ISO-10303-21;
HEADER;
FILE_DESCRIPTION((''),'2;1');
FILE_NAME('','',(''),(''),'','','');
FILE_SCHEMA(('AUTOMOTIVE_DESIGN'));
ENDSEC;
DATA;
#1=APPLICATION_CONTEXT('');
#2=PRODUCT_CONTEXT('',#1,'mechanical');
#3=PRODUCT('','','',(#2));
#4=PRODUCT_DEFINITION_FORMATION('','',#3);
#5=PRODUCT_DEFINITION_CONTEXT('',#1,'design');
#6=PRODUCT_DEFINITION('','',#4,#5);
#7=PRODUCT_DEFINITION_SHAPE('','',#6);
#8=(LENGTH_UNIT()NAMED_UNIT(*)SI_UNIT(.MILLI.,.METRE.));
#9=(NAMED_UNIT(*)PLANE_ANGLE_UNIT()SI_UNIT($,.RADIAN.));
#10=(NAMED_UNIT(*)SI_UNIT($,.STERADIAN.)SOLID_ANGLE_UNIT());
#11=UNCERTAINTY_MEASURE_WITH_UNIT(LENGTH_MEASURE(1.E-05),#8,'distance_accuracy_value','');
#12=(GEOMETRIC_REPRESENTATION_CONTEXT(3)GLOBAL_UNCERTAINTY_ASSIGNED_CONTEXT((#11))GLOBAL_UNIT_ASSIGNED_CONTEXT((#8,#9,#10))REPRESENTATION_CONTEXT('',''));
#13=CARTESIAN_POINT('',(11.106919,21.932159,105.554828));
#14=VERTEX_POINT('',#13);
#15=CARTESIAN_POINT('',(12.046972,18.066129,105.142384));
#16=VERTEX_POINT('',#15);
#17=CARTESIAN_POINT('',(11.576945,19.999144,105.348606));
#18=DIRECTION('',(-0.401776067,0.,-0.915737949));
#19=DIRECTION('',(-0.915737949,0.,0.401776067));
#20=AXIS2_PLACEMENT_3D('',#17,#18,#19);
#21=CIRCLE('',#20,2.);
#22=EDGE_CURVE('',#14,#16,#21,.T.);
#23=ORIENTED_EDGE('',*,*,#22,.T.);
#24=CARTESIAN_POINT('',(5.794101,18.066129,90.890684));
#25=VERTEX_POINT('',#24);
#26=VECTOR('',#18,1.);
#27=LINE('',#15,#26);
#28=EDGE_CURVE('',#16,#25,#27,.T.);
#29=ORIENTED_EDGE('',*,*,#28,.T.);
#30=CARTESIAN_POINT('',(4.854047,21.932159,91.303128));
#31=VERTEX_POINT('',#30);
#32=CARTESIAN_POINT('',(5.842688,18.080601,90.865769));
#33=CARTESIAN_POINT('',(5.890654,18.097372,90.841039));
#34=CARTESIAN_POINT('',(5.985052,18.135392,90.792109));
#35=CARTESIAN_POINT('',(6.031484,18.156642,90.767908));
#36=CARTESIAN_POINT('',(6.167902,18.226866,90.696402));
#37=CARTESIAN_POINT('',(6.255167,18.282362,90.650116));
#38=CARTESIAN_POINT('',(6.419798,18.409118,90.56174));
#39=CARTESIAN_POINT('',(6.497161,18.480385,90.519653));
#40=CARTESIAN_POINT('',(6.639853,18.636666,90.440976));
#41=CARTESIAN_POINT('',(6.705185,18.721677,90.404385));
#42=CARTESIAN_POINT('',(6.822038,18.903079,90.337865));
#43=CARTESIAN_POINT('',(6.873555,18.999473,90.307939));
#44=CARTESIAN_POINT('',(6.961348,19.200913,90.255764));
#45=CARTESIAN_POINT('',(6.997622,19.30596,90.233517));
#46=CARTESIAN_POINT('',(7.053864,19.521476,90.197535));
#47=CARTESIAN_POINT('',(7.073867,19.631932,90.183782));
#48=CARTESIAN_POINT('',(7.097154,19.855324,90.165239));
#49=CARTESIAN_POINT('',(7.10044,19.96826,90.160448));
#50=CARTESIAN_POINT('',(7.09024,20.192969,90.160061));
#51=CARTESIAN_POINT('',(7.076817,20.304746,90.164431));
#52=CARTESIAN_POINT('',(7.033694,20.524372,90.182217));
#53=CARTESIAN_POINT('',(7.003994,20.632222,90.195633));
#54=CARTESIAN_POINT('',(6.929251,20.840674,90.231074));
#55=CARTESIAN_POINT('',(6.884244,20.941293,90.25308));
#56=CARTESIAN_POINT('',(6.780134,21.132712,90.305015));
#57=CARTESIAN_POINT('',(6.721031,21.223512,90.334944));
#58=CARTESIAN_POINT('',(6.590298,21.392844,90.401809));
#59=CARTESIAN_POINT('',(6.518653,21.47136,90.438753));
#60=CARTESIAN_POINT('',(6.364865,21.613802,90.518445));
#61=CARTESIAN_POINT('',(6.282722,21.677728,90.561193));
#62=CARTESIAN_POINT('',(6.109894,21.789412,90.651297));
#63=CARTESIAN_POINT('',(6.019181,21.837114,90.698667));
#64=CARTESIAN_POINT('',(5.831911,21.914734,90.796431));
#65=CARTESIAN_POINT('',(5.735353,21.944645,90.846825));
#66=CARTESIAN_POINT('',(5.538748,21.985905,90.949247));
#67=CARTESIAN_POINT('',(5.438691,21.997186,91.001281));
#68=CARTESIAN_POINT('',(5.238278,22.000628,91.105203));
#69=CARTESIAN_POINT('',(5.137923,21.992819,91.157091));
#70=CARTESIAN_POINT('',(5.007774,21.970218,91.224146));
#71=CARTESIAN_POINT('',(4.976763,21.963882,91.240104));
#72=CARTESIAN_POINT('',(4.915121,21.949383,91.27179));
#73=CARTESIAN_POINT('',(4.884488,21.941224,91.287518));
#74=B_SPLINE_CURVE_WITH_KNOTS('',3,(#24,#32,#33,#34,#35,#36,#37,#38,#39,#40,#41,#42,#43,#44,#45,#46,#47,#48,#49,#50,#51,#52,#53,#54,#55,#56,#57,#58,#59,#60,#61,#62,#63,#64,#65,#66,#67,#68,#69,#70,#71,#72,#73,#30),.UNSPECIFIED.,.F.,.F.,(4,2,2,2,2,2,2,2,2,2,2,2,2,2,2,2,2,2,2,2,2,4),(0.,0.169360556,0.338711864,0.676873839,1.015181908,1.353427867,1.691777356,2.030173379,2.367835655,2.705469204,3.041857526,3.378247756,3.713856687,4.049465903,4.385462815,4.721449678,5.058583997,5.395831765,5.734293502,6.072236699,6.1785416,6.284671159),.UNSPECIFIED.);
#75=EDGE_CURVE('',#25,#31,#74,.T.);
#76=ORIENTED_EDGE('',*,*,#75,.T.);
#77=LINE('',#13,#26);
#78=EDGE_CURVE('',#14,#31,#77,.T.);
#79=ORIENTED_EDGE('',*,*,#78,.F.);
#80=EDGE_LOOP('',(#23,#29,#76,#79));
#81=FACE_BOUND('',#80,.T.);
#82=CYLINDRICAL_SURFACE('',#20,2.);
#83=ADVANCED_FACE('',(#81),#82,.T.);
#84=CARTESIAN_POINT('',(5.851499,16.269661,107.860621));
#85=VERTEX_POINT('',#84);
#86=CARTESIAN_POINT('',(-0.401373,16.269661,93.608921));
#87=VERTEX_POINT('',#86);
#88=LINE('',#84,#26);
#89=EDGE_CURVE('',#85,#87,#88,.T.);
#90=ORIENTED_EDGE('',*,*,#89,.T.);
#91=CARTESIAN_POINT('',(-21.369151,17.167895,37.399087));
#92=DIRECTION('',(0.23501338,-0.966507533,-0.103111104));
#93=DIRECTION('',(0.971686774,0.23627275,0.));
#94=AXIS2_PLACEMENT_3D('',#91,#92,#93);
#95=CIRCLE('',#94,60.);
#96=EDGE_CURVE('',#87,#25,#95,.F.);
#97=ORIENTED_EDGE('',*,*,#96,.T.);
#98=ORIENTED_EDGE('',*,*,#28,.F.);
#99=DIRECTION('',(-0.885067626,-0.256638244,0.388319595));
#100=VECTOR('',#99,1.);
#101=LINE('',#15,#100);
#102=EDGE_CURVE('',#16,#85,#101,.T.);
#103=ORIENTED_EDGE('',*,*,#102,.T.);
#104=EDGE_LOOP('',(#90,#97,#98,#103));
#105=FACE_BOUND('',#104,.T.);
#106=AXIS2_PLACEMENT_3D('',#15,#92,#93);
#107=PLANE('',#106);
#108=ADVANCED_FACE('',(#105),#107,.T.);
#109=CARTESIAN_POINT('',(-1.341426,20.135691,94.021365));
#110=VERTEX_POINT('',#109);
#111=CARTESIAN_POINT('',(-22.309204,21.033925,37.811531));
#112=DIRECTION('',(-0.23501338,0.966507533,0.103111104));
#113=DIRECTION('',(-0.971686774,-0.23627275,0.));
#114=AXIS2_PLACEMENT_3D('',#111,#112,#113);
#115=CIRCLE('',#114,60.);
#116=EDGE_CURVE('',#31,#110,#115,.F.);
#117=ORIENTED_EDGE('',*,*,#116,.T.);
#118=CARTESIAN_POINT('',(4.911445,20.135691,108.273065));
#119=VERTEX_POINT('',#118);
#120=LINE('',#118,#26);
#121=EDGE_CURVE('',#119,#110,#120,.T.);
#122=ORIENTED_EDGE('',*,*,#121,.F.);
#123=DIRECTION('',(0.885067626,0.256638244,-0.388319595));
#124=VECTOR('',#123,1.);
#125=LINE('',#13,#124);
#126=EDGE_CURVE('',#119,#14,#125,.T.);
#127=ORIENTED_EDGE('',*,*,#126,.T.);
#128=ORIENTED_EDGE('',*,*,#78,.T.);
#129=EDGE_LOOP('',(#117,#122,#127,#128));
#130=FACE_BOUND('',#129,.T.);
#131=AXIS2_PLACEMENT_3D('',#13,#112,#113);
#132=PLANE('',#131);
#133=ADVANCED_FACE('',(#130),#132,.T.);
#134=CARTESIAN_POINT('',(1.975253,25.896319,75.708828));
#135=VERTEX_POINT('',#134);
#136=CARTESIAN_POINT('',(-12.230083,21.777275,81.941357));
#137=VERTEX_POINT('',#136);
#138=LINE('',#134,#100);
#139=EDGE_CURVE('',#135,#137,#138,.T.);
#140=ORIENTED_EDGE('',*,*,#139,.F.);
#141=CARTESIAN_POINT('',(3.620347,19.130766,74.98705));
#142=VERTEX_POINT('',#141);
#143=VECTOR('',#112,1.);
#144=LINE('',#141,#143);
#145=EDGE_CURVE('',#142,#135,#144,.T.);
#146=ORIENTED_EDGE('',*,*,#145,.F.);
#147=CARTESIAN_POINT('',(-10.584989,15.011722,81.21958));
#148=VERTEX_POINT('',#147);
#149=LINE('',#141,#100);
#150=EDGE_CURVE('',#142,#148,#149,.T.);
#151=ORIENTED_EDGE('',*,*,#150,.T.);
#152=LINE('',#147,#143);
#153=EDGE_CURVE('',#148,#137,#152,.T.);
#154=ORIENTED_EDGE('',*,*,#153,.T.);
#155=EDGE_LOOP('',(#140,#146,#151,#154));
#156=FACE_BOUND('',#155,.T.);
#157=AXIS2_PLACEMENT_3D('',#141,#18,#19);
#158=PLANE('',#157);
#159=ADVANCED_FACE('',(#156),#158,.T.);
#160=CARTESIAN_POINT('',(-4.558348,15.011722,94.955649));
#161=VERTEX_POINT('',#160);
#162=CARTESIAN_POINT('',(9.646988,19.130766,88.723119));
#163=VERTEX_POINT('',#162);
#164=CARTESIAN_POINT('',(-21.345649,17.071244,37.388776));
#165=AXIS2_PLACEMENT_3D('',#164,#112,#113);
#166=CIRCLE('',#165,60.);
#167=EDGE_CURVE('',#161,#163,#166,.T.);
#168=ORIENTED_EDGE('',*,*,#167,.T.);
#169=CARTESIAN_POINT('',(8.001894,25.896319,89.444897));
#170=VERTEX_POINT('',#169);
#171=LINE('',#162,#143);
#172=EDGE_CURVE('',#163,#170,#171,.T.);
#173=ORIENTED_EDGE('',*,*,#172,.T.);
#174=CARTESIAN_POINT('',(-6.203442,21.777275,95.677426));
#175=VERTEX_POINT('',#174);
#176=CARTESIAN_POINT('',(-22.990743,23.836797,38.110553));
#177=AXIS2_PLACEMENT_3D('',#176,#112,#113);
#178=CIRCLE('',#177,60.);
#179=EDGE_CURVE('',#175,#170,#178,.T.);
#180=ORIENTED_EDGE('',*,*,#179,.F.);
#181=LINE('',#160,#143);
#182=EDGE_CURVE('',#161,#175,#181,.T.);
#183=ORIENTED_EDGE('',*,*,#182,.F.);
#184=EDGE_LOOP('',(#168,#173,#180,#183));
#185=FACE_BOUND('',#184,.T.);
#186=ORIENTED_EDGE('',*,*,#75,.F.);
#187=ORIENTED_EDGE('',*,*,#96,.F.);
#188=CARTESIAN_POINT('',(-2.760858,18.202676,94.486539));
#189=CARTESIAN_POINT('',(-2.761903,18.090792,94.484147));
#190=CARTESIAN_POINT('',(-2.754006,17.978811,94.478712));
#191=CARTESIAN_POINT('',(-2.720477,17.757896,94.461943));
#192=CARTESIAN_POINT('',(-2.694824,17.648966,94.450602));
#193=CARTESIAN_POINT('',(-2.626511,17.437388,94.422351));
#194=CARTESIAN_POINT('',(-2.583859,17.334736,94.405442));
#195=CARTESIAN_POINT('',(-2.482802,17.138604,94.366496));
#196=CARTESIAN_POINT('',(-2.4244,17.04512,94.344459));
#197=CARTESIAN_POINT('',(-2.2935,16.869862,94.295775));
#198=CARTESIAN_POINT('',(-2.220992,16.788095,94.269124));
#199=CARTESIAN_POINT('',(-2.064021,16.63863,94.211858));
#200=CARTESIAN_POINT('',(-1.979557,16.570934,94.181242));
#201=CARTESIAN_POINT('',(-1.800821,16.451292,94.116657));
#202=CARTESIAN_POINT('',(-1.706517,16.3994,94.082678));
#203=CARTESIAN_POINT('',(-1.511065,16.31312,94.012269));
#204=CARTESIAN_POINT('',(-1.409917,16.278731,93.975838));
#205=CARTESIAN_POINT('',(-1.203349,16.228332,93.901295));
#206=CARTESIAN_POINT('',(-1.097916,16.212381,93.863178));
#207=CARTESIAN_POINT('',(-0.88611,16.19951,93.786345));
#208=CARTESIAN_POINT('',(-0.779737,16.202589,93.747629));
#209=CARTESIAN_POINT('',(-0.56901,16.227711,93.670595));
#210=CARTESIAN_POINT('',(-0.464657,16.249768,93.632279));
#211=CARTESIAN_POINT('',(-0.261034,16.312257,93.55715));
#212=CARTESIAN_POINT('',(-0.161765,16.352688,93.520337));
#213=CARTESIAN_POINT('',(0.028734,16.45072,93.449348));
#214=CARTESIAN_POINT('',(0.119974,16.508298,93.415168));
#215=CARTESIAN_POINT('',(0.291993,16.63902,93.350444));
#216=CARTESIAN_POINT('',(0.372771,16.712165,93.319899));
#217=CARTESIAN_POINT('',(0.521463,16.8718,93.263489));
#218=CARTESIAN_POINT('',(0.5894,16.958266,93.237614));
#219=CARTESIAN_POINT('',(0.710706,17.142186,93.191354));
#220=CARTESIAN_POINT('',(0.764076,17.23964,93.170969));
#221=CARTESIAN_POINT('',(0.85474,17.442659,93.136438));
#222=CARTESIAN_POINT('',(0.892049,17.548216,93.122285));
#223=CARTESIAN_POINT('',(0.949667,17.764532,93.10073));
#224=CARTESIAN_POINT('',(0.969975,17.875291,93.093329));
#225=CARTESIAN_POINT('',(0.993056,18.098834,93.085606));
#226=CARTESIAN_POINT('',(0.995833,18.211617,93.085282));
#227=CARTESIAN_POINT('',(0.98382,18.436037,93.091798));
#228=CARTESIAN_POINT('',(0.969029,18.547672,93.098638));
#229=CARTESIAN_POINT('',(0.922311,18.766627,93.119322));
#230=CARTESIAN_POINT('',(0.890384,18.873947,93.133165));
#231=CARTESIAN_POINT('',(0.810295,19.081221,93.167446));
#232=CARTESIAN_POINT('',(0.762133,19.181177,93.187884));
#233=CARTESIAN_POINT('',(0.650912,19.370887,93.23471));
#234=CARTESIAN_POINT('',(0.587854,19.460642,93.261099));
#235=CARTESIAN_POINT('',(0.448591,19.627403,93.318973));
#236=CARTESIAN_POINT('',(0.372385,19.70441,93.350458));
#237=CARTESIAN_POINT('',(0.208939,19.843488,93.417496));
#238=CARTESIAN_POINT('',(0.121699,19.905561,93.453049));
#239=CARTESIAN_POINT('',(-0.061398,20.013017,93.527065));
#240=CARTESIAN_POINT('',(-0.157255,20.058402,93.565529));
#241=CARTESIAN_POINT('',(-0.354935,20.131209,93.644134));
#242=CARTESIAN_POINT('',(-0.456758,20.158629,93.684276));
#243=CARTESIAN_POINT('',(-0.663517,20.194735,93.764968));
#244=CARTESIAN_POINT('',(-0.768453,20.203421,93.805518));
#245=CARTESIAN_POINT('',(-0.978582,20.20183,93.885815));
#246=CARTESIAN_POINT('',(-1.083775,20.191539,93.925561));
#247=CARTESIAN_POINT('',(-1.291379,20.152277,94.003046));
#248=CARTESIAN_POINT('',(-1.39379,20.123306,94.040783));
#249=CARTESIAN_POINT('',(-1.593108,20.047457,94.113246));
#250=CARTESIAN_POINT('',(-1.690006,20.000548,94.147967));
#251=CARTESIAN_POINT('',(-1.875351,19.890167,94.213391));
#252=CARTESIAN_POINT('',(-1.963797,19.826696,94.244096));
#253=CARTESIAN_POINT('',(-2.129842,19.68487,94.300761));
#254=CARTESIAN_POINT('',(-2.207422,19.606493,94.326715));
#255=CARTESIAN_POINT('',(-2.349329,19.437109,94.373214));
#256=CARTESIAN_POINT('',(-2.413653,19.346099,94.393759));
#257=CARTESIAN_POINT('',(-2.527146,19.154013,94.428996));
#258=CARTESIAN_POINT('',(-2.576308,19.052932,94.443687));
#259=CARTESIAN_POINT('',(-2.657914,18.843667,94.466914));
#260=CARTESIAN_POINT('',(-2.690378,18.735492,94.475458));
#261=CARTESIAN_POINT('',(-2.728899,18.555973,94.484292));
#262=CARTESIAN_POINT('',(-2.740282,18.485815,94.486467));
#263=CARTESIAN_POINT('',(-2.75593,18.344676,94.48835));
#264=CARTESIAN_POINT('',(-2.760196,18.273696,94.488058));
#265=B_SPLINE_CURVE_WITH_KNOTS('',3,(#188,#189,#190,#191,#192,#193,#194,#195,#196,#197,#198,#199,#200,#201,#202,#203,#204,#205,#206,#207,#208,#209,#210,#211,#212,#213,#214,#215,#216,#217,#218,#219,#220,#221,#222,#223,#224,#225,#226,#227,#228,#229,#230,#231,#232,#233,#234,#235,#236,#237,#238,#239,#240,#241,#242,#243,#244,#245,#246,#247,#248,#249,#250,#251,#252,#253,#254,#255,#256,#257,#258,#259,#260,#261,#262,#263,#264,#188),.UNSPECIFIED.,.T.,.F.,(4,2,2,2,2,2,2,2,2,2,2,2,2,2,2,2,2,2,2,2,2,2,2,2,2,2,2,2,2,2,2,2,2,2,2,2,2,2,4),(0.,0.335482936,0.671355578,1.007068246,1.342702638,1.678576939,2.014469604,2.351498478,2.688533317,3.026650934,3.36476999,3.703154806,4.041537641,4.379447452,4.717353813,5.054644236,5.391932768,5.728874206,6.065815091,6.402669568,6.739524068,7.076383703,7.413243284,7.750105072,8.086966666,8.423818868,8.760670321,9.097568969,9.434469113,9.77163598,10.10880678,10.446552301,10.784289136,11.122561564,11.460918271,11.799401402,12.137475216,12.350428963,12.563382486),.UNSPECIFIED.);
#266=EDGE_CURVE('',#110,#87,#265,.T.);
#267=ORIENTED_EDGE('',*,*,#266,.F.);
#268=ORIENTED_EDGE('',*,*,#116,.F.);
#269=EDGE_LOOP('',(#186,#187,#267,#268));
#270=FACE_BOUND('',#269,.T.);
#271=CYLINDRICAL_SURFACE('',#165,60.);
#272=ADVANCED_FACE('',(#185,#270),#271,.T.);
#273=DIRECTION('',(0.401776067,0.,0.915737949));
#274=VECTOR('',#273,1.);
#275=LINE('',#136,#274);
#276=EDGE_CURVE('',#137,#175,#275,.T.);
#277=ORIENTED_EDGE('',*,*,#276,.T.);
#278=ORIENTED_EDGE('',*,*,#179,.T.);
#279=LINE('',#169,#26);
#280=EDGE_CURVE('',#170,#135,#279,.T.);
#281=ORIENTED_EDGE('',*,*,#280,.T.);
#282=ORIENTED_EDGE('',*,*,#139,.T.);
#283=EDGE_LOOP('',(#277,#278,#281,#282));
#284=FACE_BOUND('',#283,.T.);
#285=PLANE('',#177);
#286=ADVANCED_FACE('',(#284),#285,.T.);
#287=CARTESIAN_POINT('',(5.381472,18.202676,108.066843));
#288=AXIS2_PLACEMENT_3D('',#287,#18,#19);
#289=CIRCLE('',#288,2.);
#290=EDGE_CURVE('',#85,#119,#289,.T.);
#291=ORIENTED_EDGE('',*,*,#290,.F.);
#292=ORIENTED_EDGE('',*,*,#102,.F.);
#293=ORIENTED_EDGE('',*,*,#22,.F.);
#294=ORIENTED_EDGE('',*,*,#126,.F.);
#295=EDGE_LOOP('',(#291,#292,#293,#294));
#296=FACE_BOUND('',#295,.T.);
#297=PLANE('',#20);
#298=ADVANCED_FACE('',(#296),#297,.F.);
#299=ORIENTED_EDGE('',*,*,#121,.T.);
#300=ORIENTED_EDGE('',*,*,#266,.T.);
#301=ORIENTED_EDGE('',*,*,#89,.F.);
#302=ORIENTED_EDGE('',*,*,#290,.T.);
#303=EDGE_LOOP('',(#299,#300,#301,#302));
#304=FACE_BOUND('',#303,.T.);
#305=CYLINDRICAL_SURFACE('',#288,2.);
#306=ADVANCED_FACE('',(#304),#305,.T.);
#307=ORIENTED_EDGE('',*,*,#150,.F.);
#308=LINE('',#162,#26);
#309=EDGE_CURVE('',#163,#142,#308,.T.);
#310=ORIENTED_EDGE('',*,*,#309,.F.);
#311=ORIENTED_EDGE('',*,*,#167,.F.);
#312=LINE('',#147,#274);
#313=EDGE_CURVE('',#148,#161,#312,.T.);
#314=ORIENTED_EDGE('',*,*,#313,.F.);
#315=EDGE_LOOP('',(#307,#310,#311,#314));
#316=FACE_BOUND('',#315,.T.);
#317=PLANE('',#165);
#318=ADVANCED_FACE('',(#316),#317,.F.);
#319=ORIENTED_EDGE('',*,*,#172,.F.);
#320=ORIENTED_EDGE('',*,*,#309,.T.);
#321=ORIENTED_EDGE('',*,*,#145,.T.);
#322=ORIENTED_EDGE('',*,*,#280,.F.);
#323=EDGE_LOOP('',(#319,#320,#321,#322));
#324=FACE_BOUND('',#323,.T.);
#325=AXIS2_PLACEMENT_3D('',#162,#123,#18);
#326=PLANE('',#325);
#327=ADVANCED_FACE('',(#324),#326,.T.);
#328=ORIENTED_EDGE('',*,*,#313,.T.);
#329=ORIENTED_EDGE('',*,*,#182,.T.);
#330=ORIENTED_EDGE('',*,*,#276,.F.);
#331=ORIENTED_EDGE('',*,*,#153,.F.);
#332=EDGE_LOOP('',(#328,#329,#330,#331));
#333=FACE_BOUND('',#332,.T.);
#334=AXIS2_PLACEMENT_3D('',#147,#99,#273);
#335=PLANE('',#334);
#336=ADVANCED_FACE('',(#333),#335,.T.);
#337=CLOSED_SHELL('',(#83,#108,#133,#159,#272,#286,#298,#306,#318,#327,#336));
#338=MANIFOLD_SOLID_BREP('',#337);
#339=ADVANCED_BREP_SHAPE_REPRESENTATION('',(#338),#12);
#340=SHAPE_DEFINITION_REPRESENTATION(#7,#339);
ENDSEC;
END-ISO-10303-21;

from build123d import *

# Parameters (mm, degrees)
BOSS_EXTRUDE1_DEPTH = 7
BOSS_EXTRUDE2_DEPTH = 31


with BuildPart() as part:
    # Sketch2 → Boss-Extrude1 (new body)
    with BuildSketch(Plane(origin=(-7.607664395, 31.287005672, 3.337829853), x_dir=(0.971914021301819, 0.23501337979879552, 0.0123226016926005), z_dir=(-0.23501337979879552, 0.9665075330997785, 0.10311110404281207))):
        with BuildLine():
            Line((8.938687007, -72.653651109), (-5.758907082, -79.102156982))
            Line((-5.758907082, -79.102156982), (0.267733921, -92.838226224))
            ThreePointArc((0.267733921, -92.838226224), (7.833125922, -90.10764187), (14.96532801, -86.389720351))
            Line((14.96532801, -86.389720351), (8.938687007, -72.653651109))
        make_face()
    extrude(amount=-BOSS_EXTRUDE1_DEPTH)

    # Sketch4 → Boss-Extrude2 (add)
    with BuildSketch(Plane(origin=(28.173765631, 2.9e-08, 64.214343511), x_dir=(-0.9157379494904142, 6.021465183735281e-11, 0.4017760668122129), z_dir=(-0.40177606681221284, -4.1173746889623063e-10, -0.9157379494904141))):
        with BuildLine():
            Line((32.238376721, 21.932158606), (39.003929453, 20.135690895))
            ThreePointArc((39.003929453, 20.135690895), (40.42366803, 17.68939934), (37.977376475, 16.269660762))
            Line((37.977376475, 16.269660762), (31.211823744, 18.066128473))
            ThreePointArc((31.211823744, 18.066128473), (29.792085166, 20.512420028), (32.238376721, 21.932158606))
        make_face()
    extrude(amount=-BOSS_EXTRUDE2_DEPTH)


solid = part.part
